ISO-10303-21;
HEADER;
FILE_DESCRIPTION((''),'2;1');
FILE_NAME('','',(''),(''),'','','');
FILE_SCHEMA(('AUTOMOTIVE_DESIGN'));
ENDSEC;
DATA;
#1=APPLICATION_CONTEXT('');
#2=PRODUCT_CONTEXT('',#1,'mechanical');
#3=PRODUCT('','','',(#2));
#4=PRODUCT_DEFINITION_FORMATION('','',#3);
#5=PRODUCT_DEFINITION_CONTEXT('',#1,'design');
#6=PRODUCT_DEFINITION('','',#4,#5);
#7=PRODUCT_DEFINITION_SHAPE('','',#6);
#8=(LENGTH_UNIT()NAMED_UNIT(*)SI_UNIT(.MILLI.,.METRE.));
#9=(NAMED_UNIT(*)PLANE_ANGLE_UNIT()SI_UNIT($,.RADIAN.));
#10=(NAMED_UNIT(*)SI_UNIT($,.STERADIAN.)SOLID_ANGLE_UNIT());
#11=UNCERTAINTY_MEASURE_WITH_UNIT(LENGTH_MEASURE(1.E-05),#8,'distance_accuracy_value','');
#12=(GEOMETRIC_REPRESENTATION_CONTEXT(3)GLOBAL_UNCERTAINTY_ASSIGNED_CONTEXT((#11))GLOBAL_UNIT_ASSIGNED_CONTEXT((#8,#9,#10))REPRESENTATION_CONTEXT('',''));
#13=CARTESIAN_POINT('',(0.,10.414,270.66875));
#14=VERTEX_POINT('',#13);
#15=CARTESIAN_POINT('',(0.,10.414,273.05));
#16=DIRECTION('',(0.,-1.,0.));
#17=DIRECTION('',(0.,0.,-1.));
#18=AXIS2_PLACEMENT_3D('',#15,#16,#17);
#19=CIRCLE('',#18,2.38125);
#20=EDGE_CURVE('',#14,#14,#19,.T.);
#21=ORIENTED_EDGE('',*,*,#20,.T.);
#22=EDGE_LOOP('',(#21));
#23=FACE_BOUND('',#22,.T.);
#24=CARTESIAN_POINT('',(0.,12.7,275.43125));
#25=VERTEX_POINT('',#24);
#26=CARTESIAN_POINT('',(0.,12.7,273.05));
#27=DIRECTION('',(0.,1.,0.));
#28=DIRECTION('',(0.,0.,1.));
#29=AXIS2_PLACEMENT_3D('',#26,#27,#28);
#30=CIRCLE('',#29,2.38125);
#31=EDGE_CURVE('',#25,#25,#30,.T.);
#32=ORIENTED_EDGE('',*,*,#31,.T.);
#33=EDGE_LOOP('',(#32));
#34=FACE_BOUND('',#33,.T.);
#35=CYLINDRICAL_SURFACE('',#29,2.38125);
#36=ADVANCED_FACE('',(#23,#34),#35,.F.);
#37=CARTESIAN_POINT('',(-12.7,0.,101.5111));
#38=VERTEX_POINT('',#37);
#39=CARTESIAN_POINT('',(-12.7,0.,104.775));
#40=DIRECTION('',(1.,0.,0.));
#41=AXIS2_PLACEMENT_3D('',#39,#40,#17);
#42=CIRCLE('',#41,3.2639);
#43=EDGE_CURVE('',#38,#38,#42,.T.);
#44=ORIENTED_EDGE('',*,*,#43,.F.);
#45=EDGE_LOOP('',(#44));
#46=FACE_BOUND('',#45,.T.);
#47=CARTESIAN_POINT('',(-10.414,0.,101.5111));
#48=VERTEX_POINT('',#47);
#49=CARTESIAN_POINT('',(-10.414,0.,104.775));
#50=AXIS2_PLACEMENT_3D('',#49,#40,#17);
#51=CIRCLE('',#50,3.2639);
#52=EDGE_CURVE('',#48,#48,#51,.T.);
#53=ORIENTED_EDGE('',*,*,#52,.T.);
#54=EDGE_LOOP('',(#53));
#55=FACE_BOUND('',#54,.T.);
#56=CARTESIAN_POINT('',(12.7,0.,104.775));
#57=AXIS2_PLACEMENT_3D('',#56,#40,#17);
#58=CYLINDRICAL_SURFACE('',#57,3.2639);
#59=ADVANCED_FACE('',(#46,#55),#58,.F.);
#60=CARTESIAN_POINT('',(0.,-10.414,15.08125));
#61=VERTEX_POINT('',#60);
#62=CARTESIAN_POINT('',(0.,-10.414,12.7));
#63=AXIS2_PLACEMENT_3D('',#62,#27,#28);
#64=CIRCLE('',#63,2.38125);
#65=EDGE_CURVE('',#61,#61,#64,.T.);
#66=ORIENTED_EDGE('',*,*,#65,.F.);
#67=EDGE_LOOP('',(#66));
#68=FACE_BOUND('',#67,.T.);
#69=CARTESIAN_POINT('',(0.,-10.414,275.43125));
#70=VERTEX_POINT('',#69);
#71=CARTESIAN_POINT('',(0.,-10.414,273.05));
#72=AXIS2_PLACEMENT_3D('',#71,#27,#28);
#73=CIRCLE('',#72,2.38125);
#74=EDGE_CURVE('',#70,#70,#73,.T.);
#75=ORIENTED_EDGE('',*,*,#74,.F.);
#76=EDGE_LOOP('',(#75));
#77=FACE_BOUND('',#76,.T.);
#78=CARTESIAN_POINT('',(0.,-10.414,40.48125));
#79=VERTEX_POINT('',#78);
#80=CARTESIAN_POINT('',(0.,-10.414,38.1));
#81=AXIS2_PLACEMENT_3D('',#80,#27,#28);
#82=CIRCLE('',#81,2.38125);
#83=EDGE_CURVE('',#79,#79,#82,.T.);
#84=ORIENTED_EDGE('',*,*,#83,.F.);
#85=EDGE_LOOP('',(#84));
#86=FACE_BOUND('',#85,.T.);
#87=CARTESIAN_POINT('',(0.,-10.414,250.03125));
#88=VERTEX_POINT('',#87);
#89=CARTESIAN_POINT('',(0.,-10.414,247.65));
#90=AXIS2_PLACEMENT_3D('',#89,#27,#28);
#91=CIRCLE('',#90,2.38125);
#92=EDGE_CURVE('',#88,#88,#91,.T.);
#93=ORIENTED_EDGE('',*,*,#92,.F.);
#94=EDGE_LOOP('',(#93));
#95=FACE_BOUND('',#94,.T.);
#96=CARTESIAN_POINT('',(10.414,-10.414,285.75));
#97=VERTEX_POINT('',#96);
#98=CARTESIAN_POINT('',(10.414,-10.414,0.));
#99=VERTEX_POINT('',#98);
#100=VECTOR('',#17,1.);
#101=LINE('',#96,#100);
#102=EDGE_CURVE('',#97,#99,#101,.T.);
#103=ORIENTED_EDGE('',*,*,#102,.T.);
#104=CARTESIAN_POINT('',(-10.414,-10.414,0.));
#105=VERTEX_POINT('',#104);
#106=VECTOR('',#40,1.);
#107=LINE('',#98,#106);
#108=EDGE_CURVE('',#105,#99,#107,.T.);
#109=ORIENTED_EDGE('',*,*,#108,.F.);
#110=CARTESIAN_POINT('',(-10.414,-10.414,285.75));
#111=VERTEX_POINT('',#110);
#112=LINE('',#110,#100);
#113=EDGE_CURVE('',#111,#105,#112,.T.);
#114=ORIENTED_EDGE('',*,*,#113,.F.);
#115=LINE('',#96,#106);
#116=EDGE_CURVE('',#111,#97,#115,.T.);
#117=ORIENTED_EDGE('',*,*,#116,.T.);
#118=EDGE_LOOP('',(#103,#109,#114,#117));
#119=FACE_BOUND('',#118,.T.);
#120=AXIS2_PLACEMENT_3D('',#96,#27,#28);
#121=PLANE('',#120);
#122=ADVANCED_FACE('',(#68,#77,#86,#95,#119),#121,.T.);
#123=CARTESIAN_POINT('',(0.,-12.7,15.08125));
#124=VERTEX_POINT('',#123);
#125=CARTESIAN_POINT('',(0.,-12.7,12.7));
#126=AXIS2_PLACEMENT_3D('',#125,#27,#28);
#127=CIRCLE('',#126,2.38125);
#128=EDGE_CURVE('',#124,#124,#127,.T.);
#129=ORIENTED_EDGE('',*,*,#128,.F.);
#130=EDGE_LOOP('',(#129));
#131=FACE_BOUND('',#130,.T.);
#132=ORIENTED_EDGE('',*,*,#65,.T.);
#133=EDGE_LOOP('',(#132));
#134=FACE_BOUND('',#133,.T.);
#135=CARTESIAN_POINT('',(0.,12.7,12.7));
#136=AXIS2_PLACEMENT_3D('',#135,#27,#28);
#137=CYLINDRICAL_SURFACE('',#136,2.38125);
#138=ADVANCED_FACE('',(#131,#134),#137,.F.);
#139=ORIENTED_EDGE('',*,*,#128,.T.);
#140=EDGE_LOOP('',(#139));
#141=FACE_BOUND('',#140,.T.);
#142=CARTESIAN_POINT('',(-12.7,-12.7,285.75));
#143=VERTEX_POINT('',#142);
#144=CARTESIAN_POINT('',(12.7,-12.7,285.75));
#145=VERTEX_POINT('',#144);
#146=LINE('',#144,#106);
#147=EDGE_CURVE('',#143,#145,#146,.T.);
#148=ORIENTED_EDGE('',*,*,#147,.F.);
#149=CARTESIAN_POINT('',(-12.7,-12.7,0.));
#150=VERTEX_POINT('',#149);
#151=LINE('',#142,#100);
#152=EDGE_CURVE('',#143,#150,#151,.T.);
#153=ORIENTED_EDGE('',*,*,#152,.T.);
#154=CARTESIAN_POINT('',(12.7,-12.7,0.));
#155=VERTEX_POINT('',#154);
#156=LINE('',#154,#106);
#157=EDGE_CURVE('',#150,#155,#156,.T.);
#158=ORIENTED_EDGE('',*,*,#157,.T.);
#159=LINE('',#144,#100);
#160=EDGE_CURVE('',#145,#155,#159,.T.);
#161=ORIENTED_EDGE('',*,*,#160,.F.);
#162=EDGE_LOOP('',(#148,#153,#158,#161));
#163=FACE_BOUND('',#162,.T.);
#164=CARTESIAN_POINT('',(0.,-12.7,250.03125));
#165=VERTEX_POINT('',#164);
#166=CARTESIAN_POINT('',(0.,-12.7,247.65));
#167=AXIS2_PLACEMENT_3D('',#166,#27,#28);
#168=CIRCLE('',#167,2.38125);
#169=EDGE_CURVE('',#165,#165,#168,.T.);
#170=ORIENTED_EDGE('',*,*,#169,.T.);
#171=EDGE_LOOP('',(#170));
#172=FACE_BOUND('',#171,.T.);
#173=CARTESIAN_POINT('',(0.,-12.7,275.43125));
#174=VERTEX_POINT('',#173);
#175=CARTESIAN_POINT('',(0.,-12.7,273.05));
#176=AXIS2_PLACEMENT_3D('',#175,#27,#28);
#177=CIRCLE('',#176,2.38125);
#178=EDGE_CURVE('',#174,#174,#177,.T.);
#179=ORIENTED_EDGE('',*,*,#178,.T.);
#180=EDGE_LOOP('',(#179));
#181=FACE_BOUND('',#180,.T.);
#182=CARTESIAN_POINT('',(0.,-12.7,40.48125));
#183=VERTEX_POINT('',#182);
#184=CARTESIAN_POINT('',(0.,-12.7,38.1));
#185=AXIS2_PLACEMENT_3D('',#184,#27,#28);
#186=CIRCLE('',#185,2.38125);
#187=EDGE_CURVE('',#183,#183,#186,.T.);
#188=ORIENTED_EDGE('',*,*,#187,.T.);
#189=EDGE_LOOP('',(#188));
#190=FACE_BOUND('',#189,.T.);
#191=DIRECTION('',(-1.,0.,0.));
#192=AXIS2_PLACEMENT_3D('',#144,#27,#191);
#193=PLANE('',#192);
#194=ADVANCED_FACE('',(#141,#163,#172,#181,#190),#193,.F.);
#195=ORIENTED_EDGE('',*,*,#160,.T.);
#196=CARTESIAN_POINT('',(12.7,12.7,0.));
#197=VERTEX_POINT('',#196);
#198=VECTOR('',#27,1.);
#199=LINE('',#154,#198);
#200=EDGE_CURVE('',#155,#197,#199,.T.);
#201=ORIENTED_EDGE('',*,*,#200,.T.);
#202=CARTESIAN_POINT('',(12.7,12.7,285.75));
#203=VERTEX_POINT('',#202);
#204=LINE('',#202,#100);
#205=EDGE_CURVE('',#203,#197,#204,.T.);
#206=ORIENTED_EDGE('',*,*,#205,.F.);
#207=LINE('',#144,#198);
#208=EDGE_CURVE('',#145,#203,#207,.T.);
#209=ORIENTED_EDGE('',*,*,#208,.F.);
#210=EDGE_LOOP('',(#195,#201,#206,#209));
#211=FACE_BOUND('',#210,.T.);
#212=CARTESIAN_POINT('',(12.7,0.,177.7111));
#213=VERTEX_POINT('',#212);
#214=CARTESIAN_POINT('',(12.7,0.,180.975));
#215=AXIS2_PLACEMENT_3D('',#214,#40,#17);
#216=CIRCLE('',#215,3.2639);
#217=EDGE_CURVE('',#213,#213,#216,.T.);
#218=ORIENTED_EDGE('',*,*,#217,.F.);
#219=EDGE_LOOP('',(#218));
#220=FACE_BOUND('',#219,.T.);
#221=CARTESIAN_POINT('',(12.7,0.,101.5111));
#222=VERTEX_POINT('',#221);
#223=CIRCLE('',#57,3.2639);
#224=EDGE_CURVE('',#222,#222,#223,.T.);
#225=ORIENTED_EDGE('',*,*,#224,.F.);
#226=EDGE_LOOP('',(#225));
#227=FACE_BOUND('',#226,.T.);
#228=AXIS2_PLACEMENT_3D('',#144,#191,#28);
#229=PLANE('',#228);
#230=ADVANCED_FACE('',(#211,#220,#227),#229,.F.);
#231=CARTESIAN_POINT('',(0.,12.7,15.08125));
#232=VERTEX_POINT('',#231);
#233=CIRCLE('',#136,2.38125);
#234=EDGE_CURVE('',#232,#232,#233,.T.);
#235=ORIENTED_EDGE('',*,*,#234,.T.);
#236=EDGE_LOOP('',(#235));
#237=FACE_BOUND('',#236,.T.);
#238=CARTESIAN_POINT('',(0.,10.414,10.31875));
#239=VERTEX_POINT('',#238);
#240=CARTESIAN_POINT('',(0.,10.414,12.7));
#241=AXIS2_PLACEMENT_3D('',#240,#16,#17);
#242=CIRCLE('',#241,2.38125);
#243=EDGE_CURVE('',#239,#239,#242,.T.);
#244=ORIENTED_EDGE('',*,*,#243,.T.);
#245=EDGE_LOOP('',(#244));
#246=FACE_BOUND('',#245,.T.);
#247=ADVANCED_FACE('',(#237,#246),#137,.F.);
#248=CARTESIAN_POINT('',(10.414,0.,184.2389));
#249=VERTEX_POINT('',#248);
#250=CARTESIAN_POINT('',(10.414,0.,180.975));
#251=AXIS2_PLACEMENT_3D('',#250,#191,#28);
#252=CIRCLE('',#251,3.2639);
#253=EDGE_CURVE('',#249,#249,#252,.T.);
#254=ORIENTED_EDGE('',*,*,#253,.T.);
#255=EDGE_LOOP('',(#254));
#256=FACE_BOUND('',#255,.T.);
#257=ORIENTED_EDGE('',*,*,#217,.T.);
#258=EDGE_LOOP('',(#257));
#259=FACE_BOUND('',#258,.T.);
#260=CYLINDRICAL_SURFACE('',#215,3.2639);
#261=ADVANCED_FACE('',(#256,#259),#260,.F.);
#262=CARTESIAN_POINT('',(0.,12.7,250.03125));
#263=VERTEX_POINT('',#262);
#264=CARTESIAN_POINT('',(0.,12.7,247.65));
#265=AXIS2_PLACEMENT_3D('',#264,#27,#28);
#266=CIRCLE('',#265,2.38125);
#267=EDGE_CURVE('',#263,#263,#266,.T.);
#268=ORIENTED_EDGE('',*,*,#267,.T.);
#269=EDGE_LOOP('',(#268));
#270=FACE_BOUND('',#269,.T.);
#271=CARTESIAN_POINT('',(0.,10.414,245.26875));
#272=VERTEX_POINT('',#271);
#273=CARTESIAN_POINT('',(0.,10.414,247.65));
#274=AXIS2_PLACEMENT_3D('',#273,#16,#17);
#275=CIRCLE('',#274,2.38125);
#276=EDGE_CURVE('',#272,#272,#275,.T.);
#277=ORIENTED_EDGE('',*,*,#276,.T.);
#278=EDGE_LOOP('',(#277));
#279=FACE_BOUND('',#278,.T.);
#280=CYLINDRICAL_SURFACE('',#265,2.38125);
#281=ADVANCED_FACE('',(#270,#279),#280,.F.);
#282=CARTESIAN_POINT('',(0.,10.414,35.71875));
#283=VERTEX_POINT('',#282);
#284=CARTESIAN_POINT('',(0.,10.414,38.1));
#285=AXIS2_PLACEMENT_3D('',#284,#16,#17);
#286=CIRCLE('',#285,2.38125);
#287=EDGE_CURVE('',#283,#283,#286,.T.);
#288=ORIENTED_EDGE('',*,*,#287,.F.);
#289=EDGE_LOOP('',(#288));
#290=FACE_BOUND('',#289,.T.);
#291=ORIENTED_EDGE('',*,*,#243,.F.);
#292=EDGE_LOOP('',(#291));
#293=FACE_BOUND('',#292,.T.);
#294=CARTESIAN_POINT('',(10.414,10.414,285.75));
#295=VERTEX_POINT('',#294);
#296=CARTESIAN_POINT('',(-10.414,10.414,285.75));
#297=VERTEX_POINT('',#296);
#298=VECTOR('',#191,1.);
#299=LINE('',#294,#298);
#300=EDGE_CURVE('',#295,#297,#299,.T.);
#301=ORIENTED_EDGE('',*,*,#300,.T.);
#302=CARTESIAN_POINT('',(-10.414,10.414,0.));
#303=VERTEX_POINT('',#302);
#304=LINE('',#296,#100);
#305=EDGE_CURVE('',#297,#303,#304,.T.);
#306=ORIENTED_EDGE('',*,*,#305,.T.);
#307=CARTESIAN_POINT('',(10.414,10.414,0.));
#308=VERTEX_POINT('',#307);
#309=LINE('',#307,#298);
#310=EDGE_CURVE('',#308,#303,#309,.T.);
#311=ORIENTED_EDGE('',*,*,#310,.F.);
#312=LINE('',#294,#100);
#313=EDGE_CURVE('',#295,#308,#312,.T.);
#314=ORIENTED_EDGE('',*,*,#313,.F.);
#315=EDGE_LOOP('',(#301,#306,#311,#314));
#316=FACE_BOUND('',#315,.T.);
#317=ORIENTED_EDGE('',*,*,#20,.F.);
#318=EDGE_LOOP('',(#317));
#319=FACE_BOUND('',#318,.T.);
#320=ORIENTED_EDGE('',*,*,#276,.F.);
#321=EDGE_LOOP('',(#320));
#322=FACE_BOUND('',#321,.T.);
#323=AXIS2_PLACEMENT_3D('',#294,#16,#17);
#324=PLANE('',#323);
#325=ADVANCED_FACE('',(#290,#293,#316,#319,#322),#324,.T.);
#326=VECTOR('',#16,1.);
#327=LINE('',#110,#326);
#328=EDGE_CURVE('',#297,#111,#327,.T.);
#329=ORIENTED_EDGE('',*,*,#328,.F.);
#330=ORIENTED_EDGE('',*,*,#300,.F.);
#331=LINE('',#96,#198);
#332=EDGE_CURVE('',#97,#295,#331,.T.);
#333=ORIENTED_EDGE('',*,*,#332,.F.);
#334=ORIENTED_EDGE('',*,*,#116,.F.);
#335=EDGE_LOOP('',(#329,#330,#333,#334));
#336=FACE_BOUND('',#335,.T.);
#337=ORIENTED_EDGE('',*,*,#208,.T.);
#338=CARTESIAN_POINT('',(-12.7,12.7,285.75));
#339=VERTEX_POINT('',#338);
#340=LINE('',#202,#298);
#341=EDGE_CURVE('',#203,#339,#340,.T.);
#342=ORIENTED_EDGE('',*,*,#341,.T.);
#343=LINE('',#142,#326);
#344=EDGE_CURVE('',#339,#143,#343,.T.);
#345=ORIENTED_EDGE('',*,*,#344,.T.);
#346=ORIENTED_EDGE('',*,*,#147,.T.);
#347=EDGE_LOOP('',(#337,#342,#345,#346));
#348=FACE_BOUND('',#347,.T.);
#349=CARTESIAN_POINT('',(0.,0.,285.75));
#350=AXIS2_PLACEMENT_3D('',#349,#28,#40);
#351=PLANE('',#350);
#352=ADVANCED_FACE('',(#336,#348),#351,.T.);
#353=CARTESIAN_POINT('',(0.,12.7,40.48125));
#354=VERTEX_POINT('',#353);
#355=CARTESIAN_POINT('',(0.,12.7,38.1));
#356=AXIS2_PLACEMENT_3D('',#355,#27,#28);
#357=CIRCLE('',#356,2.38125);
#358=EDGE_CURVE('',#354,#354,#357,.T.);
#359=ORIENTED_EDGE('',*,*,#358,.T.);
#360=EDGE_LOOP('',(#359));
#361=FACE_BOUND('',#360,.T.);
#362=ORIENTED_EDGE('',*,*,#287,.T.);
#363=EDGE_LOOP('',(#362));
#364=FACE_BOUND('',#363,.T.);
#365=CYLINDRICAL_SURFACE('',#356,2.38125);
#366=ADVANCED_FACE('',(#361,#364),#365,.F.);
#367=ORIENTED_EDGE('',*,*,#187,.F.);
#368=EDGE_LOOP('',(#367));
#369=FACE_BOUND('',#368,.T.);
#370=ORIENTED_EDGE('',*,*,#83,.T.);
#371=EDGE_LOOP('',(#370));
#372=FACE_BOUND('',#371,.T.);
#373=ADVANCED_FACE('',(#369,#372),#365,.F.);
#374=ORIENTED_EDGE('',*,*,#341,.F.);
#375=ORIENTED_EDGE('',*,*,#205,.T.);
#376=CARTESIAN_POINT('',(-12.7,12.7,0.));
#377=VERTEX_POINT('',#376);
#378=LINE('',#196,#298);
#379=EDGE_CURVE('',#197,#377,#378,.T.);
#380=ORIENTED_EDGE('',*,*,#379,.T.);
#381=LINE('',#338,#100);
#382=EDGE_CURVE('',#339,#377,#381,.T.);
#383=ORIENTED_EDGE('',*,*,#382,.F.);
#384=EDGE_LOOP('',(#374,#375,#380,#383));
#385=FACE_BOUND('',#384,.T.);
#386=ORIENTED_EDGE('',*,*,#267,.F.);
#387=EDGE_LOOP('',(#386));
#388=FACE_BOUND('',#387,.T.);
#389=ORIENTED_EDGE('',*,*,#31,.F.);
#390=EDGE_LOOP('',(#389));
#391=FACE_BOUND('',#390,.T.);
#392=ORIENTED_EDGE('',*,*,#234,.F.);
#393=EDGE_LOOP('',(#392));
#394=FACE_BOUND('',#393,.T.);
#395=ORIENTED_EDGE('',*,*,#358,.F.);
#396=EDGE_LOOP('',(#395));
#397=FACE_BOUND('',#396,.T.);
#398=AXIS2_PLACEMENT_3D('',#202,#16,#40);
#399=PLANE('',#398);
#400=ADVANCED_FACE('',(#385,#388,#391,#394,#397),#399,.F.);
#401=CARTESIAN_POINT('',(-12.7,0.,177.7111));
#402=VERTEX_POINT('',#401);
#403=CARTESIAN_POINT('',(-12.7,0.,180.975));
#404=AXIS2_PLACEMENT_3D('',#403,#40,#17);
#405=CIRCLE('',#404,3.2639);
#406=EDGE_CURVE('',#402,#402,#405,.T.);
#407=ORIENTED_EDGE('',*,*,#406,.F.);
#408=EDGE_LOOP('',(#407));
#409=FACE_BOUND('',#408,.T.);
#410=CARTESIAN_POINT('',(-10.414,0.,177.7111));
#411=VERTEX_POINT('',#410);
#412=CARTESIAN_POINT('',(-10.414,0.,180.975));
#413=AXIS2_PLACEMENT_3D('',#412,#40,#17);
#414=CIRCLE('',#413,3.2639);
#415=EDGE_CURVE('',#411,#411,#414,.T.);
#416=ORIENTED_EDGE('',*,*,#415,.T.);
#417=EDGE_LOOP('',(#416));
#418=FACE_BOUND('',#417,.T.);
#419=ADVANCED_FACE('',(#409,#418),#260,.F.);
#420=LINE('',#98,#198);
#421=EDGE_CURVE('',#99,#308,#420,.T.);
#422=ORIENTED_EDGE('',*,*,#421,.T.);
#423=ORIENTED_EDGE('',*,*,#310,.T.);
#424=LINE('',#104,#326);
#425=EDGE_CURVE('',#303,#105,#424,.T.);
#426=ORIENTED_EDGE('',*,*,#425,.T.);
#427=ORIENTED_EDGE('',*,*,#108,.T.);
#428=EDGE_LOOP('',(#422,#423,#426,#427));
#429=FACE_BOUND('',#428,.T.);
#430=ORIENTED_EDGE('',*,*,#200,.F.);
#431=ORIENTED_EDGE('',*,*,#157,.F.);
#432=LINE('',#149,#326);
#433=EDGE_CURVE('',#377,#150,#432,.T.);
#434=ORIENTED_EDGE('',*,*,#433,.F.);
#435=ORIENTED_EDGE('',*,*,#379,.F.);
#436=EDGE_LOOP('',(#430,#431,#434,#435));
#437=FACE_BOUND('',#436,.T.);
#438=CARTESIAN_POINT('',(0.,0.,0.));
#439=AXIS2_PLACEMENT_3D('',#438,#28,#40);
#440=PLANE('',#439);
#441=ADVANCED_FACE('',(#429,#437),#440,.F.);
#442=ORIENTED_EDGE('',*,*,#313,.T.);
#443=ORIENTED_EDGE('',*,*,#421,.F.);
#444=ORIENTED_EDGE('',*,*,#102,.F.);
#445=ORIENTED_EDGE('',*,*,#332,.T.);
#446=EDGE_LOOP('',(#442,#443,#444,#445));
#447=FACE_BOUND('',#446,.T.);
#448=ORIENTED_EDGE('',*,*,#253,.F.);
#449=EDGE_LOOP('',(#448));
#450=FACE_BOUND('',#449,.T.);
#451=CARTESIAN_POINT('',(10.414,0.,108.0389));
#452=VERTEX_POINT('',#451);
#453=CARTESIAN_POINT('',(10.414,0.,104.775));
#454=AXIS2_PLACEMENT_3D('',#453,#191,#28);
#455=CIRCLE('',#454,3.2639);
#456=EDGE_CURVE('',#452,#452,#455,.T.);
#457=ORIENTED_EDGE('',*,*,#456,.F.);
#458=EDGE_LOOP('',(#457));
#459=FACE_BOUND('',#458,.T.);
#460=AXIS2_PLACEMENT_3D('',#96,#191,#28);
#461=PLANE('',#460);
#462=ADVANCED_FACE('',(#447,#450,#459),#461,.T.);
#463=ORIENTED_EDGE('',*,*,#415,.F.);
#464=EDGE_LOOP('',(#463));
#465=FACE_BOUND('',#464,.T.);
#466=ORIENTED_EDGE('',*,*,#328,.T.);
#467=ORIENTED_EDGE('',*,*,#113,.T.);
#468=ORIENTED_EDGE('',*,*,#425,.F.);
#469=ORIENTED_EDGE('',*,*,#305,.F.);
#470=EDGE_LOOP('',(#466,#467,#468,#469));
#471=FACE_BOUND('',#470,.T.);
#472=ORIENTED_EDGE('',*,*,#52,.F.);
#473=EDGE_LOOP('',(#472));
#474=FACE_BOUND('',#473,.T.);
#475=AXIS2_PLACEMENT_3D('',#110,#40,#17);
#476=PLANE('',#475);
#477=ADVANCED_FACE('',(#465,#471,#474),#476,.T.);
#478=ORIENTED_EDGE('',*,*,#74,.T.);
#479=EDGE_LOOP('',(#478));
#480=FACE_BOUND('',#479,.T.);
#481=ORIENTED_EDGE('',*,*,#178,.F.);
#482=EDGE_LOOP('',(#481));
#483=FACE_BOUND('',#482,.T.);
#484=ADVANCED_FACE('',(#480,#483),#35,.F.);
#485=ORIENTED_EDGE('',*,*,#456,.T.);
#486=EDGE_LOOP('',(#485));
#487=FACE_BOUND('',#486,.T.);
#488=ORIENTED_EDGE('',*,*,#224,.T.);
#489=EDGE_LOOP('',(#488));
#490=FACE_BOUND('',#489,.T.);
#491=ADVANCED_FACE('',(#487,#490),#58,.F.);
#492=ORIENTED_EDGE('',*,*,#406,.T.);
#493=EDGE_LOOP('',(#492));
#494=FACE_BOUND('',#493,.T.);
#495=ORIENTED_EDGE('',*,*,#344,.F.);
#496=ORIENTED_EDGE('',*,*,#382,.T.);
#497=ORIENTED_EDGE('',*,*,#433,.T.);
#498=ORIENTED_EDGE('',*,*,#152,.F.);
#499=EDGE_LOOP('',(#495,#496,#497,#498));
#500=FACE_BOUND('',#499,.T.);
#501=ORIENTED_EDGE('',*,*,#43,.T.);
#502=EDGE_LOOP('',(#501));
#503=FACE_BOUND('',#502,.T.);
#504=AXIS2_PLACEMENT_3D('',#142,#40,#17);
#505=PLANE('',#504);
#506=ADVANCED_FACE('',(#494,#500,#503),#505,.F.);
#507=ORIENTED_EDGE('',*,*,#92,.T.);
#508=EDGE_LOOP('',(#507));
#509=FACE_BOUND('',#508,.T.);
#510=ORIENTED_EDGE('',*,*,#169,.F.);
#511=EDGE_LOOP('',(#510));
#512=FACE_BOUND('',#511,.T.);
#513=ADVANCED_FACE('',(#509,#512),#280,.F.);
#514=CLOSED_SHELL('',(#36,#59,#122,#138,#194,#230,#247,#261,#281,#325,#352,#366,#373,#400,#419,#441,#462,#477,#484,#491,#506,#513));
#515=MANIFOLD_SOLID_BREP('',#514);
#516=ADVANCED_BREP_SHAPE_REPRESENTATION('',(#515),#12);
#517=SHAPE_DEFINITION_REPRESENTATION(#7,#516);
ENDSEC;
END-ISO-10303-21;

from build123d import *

# Parameters (mm, degrees)
SKETCH1_W                      = 25.4
SKETCH1_H                      = 25.4
SKETCH1_W_2                    = 20.828
SKETCH1_H_2                    = 20.828
BOSS_EXTRUDE1_DEPTH            = 285.75
F_3_16_0_1875_DIAMETER_HOLE7_D = 4.7625
F_0_257_DIAMETER_HOLE1_D       = 6.5278


with BuildPart() as part:
    # Sketch1 → Boss-Extrude1 (new body)
    with BuildSketch(Plane.XY):
        Rectangle(SKETCH1_W, SKETCH1_H)
        Rectangle(SKETCH1_W_2, SKETCH1_H_2, mode=Mode.SUBTRACT)
    extrude(amount=BOSS_EXTRUDE1_DEPTH)

    # 3/16 (0.1875) Diameter Hole7 (through all)
    with Locations(Plane(origin=(0, 12.7, 0), x_dir=(1, 0, 0), z_dir=(0, 1, 0))):
        with Locations((0, -273.05), (0, -247.65), (0, -12.7), (0, -38.1)):
            Hole(F_3_16_0_1875_DIAMETER_HOLE7_D / 2)

    # F (0.257) Diameter Hole1 (through all)
    with Locations(Plane(origin=(12.7, 0, 0), x_dir=(0, 0, -1), z_dir=(1, 0, 0))):
        with Locations((-180.975, 0), (-104.775, 0)):
            Hole(F_0_257_DIAMETER_HOLE1_D / 2)


solid = part.part
